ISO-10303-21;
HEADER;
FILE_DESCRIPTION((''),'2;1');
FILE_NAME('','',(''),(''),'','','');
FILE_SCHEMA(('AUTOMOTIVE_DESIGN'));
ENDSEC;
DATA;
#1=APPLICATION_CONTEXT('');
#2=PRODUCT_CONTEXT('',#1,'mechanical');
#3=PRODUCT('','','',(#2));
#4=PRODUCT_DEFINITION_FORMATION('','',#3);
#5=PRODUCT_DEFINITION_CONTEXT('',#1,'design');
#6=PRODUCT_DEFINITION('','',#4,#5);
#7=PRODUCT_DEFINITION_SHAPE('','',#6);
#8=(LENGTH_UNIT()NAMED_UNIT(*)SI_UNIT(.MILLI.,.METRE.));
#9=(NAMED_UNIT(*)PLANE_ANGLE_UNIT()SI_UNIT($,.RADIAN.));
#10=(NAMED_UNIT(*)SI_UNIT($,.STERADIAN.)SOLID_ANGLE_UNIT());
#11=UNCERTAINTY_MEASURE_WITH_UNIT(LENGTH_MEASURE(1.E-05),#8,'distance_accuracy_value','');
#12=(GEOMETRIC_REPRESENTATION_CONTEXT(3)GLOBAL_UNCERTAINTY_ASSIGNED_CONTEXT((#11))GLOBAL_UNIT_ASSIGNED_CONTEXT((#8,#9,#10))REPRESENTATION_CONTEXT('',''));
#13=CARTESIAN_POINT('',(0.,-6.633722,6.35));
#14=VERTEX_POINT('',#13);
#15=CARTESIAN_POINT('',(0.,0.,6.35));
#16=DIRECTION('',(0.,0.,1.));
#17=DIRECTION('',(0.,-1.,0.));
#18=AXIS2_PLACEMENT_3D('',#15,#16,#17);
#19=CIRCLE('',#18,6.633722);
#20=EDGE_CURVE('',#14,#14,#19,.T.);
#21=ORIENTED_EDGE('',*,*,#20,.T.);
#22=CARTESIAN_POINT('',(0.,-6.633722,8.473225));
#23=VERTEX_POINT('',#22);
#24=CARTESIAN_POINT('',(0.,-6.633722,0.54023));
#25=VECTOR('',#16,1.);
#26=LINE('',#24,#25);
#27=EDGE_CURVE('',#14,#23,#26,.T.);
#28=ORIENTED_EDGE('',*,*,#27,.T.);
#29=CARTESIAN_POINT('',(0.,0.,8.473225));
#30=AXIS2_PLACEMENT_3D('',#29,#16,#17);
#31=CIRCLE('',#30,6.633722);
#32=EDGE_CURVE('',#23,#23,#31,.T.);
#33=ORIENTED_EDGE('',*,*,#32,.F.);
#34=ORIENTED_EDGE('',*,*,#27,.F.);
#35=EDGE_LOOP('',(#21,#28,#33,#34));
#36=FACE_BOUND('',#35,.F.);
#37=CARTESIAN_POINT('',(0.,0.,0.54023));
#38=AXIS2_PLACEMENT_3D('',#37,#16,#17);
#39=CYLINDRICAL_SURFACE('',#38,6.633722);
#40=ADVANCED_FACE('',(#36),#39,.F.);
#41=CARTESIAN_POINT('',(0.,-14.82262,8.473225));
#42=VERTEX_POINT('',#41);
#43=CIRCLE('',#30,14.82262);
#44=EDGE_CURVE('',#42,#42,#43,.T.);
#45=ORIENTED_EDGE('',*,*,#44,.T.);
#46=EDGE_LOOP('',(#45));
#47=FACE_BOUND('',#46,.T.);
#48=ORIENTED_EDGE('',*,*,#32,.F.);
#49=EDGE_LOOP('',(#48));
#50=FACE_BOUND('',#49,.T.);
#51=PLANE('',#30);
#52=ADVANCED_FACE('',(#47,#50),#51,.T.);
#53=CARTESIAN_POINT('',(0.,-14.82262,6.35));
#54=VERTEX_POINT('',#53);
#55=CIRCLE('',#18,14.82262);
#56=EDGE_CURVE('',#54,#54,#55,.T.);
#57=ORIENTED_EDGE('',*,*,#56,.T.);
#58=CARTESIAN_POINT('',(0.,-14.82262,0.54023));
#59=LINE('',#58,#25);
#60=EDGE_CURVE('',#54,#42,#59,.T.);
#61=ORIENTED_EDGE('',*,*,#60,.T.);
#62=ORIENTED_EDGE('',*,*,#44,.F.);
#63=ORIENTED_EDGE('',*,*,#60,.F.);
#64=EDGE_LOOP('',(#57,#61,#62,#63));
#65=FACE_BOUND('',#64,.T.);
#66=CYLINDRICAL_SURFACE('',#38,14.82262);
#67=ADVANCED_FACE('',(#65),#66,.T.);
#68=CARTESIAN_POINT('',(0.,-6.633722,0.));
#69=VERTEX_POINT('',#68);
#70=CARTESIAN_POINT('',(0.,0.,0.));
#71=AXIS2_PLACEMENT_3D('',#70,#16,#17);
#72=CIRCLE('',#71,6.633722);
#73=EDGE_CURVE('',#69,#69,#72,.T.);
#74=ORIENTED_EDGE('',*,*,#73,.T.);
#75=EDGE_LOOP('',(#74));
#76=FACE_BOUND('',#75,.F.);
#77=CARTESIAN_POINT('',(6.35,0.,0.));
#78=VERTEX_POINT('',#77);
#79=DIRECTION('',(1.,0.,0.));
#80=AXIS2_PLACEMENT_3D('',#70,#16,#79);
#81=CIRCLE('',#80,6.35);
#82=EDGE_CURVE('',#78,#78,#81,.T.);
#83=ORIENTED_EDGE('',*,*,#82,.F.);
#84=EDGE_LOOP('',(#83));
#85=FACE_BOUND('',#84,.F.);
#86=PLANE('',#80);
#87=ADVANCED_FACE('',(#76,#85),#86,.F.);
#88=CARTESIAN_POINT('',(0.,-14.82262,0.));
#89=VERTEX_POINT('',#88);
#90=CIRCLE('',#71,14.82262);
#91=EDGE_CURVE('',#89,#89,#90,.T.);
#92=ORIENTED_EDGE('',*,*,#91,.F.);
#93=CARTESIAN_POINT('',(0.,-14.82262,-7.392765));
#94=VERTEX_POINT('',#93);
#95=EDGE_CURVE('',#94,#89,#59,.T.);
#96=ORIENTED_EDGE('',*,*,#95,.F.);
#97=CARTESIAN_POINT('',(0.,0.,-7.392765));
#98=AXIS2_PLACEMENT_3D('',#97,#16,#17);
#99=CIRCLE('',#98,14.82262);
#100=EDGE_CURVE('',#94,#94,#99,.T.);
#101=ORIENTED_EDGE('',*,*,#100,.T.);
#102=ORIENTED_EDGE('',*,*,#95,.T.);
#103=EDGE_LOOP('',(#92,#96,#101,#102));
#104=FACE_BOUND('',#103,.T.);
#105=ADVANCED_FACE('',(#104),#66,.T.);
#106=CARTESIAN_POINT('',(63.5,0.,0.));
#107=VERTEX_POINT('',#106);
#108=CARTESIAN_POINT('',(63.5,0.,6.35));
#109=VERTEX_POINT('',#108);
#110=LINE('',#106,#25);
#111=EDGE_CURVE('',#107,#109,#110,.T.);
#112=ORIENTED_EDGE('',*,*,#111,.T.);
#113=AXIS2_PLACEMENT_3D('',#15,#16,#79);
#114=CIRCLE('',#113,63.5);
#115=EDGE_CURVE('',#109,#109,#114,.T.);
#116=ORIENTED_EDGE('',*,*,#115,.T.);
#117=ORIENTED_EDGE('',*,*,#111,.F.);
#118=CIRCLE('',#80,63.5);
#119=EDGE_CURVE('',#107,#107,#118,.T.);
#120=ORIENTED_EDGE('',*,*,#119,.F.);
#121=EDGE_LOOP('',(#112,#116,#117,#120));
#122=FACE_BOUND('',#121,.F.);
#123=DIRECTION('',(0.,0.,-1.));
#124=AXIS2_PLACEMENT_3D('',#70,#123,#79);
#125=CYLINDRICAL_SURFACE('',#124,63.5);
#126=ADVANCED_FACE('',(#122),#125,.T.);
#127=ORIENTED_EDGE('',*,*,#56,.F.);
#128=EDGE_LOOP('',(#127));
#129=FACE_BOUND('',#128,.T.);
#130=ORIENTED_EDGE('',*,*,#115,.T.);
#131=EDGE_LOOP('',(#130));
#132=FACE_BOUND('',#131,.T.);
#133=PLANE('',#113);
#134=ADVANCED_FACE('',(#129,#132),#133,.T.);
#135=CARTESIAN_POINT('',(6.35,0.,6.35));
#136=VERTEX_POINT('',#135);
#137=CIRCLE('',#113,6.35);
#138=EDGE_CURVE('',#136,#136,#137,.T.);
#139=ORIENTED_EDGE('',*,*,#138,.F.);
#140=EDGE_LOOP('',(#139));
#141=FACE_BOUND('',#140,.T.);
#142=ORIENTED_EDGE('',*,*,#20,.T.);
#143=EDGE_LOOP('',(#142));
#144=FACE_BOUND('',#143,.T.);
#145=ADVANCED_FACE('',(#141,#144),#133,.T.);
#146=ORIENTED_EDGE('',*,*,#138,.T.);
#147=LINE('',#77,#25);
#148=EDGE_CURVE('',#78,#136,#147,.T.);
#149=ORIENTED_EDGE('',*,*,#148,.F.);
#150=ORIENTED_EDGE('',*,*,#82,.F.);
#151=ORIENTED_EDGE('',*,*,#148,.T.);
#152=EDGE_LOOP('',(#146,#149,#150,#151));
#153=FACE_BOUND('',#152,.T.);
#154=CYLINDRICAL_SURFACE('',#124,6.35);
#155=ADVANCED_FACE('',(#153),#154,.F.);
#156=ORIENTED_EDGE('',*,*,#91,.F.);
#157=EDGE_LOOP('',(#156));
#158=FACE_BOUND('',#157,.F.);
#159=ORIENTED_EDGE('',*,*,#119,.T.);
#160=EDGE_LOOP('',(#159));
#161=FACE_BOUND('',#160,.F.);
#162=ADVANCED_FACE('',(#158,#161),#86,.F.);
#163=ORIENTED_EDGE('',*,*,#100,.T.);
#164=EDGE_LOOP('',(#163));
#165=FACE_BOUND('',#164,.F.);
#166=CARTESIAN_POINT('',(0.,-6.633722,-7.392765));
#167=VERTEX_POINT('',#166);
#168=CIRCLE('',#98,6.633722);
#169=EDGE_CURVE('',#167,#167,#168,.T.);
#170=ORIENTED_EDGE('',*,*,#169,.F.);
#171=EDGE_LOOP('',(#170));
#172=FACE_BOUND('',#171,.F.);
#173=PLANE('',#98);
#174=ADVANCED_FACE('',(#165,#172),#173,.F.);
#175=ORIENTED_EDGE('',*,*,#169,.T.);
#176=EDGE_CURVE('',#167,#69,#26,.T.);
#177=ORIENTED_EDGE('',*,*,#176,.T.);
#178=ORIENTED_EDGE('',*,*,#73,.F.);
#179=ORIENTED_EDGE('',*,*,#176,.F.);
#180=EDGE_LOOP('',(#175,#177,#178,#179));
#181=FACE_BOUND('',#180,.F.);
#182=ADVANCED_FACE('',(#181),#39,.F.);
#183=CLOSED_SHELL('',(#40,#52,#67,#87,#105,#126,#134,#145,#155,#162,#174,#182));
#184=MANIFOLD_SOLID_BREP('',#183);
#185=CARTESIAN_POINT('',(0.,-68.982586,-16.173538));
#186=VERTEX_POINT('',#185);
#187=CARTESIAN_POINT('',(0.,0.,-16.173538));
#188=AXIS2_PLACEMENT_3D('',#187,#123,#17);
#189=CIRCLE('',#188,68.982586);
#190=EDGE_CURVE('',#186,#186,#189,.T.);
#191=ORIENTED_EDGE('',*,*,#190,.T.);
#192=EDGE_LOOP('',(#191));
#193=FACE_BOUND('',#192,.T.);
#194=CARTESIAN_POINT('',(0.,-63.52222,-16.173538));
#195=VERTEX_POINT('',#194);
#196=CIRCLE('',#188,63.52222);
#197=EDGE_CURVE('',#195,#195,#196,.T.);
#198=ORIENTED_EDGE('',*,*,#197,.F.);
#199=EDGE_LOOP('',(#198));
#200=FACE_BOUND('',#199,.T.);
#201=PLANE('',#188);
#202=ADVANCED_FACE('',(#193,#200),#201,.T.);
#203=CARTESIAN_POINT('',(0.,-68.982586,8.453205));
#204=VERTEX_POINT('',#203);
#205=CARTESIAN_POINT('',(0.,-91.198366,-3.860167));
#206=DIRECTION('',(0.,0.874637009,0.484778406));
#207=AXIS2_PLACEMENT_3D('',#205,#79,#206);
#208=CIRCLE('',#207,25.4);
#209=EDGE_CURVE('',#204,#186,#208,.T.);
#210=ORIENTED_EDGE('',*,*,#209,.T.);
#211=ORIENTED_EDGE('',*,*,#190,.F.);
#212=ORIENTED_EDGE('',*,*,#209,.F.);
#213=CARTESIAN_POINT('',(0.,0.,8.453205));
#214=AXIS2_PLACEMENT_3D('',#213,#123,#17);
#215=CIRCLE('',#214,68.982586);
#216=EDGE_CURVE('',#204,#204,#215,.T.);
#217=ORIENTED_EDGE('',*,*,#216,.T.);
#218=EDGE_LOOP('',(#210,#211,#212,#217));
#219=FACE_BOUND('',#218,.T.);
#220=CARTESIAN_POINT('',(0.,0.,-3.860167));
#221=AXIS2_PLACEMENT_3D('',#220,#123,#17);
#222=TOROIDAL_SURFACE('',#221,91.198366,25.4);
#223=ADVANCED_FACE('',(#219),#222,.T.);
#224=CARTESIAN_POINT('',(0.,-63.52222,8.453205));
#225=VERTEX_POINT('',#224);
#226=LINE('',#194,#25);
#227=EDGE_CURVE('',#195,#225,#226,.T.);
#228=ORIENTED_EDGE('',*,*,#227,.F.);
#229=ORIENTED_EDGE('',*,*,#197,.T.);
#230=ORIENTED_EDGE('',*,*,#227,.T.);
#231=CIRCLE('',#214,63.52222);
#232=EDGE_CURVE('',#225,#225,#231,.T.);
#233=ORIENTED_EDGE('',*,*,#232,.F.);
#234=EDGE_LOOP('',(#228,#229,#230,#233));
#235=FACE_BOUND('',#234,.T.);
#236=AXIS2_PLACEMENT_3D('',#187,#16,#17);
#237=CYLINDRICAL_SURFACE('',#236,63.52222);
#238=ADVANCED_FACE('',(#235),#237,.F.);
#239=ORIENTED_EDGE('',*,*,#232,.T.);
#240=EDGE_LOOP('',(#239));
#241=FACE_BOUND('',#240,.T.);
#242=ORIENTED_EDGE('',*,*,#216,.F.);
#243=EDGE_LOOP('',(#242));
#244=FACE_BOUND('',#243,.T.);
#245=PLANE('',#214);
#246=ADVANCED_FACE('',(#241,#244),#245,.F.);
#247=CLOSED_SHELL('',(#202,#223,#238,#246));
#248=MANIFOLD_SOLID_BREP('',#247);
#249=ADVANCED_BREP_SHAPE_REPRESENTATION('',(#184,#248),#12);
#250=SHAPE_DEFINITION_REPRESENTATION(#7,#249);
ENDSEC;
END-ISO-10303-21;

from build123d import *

# Parameters (mm, degrees)
F0_R     = 63.5
F0_R_2   = 6.35
F1_DEPTH = 6.35
F4_W     = 8.188898
F4_H     = 15.86599


with BuildPart() as f1:
    # F0 (on Top) → F1 (new body)
    with BuildSketch(Plane.XY):
        Circle(F0_R)
        Circle(F0_R_2, mode=Mode.SUBTRACT)
    extrude(amount=F1_DEPTH)

    # F4 (on Right) → F5 (revolve)
    with BuildSketch(Plane.YZ):
        with Locations((-10.728171, 0.54023)):
            Rectangle(F4_W, F4_H)
    revolve(axis=Axis((0, 0, 6.35), (0, 0, 1)))


with BuildPart() as f3:
    # F2 (on Right) → F3 (revolve)
    with BuildSketch(Plane.YZ):
        with BuildLine():
            ThreePointArc((-68.982586, -16.173538), (-66.607303, -10.21938), (-65.798366, -3.860166))
            ThreePointArc((-65.798366, -3.860166), (-66.607303, 2.499047), (-68.982586, 8.453205))
            Line((-68.982586, 8.453205), (-68.982586, -16.173538))
        make_face()
        with BuildLine():
            Line((-68.982586, -16.173538), (-68.982586, 8.453205))
            ThreePointArc((-68.982586, 8.453205), (-116.598366, -3.860166), (-68.982586, -16.173538))
        make_face()
        with BuildLine():
            ThreePointArc((-68.982586, 8.453205), (-66.607303, 2.499047), (-65.798366, -3.860166))
            ThreePointArc((-65.798366, -3.860166), (-66.607303, -10.21938), (-68.982586, -16.173538))
            Line((-68.982586, -16.173538), (-63.52222, -16.173538))
            Line((-63.52222, -16.173538), (-63.52222, 8.453205))
            Line((-63.52222, 8.453205), (-68.982586, 8.453205))
        make_face()
    revolve(axis=Axis((0, 0, 0), (0, 0, -1)))


solid = Compound([f1.part, f3.part])
